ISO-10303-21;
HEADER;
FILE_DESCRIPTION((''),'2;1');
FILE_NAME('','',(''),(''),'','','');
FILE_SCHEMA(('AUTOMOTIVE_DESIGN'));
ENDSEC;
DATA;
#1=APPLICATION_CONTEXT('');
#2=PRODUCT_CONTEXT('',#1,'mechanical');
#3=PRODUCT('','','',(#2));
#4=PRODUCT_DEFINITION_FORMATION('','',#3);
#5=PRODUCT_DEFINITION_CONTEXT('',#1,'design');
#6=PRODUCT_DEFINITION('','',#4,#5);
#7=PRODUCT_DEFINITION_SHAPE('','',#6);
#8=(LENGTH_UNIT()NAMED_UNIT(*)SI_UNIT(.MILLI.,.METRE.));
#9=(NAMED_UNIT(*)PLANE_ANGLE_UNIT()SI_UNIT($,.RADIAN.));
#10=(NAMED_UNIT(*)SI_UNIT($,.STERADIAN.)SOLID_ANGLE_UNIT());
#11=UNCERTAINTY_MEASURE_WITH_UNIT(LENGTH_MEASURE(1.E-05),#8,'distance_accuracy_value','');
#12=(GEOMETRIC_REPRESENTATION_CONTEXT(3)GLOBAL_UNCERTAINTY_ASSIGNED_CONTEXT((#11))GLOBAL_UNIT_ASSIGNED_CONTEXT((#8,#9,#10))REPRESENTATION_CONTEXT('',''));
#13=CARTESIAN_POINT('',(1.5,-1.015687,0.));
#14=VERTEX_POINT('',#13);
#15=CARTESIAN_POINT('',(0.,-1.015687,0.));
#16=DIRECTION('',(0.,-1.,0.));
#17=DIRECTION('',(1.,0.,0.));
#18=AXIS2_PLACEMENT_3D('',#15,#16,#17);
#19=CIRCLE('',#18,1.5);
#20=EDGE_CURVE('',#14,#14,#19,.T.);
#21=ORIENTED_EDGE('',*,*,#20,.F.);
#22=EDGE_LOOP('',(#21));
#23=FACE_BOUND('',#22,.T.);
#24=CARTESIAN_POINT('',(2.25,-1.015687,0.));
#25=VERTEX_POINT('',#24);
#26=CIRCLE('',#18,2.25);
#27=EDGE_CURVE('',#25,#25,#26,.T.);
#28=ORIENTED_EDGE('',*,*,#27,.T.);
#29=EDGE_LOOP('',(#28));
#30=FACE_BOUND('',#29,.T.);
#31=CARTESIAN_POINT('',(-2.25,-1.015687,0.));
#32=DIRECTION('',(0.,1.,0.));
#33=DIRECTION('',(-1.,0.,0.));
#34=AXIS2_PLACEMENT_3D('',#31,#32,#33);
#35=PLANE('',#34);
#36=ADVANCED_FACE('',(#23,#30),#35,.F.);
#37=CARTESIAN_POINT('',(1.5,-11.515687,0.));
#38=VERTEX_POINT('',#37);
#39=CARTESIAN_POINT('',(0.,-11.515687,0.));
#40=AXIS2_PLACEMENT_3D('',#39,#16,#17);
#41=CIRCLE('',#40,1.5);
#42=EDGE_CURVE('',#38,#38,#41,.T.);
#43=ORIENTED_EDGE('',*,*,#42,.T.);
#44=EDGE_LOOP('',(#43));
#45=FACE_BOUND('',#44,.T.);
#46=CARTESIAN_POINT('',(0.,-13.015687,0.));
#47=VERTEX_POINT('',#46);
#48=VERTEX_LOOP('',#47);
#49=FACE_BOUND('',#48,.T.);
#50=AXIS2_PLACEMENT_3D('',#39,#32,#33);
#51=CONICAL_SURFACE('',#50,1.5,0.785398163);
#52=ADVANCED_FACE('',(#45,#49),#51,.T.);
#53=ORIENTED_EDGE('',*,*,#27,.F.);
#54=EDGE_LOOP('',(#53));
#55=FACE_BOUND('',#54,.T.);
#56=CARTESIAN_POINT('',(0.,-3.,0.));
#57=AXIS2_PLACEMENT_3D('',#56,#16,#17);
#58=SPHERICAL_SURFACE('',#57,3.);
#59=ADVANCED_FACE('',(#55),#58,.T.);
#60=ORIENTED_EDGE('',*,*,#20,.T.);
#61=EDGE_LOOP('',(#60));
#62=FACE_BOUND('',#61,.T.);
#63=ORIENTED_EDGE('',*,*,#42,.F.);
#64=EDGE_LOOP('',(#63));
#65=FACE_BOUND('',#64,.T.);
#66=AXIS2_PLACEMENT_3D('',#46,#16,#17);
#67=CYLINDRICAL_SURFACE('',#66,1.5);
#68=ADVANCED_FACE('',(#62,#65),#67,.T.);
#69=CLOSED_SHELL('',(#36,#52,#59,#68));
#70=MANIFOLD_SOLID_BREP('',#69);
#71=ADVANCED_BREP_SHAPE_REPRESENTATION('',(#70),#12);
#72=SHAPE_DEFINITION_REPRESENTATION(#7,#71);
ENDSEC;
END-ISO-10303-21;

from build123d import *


with BuildPart() as part:
    # Sketch1 → Revolve1 (revolve)
    with BuildSketch(Plane.XY, mode=Mode.PRIVATE) as revolve1_sk:
        with BuildLine():
            Line((-1.5, -1.015686517), (-1.5, -11.515686517))
            Line((-1.5, -11.515686517), (0, -13.015686517))
            Line((0, -13.015686517), (0, 0))
            ThreePointArc((0, 0), (-1.234313483, -0.265686517), (-2.25, -1.015686517))
            Line((-2.25, -1.015686517), (-1.5, -1.015686517))
        make_face()
    revolve(revolve1_sk.sketch.rotate(Axis((0, -13.015686517, 0), (0, 1, 0)), 180), axis=Axis((0, -13.015686517, 0), (0, 1, 0)))


solid = part.part
